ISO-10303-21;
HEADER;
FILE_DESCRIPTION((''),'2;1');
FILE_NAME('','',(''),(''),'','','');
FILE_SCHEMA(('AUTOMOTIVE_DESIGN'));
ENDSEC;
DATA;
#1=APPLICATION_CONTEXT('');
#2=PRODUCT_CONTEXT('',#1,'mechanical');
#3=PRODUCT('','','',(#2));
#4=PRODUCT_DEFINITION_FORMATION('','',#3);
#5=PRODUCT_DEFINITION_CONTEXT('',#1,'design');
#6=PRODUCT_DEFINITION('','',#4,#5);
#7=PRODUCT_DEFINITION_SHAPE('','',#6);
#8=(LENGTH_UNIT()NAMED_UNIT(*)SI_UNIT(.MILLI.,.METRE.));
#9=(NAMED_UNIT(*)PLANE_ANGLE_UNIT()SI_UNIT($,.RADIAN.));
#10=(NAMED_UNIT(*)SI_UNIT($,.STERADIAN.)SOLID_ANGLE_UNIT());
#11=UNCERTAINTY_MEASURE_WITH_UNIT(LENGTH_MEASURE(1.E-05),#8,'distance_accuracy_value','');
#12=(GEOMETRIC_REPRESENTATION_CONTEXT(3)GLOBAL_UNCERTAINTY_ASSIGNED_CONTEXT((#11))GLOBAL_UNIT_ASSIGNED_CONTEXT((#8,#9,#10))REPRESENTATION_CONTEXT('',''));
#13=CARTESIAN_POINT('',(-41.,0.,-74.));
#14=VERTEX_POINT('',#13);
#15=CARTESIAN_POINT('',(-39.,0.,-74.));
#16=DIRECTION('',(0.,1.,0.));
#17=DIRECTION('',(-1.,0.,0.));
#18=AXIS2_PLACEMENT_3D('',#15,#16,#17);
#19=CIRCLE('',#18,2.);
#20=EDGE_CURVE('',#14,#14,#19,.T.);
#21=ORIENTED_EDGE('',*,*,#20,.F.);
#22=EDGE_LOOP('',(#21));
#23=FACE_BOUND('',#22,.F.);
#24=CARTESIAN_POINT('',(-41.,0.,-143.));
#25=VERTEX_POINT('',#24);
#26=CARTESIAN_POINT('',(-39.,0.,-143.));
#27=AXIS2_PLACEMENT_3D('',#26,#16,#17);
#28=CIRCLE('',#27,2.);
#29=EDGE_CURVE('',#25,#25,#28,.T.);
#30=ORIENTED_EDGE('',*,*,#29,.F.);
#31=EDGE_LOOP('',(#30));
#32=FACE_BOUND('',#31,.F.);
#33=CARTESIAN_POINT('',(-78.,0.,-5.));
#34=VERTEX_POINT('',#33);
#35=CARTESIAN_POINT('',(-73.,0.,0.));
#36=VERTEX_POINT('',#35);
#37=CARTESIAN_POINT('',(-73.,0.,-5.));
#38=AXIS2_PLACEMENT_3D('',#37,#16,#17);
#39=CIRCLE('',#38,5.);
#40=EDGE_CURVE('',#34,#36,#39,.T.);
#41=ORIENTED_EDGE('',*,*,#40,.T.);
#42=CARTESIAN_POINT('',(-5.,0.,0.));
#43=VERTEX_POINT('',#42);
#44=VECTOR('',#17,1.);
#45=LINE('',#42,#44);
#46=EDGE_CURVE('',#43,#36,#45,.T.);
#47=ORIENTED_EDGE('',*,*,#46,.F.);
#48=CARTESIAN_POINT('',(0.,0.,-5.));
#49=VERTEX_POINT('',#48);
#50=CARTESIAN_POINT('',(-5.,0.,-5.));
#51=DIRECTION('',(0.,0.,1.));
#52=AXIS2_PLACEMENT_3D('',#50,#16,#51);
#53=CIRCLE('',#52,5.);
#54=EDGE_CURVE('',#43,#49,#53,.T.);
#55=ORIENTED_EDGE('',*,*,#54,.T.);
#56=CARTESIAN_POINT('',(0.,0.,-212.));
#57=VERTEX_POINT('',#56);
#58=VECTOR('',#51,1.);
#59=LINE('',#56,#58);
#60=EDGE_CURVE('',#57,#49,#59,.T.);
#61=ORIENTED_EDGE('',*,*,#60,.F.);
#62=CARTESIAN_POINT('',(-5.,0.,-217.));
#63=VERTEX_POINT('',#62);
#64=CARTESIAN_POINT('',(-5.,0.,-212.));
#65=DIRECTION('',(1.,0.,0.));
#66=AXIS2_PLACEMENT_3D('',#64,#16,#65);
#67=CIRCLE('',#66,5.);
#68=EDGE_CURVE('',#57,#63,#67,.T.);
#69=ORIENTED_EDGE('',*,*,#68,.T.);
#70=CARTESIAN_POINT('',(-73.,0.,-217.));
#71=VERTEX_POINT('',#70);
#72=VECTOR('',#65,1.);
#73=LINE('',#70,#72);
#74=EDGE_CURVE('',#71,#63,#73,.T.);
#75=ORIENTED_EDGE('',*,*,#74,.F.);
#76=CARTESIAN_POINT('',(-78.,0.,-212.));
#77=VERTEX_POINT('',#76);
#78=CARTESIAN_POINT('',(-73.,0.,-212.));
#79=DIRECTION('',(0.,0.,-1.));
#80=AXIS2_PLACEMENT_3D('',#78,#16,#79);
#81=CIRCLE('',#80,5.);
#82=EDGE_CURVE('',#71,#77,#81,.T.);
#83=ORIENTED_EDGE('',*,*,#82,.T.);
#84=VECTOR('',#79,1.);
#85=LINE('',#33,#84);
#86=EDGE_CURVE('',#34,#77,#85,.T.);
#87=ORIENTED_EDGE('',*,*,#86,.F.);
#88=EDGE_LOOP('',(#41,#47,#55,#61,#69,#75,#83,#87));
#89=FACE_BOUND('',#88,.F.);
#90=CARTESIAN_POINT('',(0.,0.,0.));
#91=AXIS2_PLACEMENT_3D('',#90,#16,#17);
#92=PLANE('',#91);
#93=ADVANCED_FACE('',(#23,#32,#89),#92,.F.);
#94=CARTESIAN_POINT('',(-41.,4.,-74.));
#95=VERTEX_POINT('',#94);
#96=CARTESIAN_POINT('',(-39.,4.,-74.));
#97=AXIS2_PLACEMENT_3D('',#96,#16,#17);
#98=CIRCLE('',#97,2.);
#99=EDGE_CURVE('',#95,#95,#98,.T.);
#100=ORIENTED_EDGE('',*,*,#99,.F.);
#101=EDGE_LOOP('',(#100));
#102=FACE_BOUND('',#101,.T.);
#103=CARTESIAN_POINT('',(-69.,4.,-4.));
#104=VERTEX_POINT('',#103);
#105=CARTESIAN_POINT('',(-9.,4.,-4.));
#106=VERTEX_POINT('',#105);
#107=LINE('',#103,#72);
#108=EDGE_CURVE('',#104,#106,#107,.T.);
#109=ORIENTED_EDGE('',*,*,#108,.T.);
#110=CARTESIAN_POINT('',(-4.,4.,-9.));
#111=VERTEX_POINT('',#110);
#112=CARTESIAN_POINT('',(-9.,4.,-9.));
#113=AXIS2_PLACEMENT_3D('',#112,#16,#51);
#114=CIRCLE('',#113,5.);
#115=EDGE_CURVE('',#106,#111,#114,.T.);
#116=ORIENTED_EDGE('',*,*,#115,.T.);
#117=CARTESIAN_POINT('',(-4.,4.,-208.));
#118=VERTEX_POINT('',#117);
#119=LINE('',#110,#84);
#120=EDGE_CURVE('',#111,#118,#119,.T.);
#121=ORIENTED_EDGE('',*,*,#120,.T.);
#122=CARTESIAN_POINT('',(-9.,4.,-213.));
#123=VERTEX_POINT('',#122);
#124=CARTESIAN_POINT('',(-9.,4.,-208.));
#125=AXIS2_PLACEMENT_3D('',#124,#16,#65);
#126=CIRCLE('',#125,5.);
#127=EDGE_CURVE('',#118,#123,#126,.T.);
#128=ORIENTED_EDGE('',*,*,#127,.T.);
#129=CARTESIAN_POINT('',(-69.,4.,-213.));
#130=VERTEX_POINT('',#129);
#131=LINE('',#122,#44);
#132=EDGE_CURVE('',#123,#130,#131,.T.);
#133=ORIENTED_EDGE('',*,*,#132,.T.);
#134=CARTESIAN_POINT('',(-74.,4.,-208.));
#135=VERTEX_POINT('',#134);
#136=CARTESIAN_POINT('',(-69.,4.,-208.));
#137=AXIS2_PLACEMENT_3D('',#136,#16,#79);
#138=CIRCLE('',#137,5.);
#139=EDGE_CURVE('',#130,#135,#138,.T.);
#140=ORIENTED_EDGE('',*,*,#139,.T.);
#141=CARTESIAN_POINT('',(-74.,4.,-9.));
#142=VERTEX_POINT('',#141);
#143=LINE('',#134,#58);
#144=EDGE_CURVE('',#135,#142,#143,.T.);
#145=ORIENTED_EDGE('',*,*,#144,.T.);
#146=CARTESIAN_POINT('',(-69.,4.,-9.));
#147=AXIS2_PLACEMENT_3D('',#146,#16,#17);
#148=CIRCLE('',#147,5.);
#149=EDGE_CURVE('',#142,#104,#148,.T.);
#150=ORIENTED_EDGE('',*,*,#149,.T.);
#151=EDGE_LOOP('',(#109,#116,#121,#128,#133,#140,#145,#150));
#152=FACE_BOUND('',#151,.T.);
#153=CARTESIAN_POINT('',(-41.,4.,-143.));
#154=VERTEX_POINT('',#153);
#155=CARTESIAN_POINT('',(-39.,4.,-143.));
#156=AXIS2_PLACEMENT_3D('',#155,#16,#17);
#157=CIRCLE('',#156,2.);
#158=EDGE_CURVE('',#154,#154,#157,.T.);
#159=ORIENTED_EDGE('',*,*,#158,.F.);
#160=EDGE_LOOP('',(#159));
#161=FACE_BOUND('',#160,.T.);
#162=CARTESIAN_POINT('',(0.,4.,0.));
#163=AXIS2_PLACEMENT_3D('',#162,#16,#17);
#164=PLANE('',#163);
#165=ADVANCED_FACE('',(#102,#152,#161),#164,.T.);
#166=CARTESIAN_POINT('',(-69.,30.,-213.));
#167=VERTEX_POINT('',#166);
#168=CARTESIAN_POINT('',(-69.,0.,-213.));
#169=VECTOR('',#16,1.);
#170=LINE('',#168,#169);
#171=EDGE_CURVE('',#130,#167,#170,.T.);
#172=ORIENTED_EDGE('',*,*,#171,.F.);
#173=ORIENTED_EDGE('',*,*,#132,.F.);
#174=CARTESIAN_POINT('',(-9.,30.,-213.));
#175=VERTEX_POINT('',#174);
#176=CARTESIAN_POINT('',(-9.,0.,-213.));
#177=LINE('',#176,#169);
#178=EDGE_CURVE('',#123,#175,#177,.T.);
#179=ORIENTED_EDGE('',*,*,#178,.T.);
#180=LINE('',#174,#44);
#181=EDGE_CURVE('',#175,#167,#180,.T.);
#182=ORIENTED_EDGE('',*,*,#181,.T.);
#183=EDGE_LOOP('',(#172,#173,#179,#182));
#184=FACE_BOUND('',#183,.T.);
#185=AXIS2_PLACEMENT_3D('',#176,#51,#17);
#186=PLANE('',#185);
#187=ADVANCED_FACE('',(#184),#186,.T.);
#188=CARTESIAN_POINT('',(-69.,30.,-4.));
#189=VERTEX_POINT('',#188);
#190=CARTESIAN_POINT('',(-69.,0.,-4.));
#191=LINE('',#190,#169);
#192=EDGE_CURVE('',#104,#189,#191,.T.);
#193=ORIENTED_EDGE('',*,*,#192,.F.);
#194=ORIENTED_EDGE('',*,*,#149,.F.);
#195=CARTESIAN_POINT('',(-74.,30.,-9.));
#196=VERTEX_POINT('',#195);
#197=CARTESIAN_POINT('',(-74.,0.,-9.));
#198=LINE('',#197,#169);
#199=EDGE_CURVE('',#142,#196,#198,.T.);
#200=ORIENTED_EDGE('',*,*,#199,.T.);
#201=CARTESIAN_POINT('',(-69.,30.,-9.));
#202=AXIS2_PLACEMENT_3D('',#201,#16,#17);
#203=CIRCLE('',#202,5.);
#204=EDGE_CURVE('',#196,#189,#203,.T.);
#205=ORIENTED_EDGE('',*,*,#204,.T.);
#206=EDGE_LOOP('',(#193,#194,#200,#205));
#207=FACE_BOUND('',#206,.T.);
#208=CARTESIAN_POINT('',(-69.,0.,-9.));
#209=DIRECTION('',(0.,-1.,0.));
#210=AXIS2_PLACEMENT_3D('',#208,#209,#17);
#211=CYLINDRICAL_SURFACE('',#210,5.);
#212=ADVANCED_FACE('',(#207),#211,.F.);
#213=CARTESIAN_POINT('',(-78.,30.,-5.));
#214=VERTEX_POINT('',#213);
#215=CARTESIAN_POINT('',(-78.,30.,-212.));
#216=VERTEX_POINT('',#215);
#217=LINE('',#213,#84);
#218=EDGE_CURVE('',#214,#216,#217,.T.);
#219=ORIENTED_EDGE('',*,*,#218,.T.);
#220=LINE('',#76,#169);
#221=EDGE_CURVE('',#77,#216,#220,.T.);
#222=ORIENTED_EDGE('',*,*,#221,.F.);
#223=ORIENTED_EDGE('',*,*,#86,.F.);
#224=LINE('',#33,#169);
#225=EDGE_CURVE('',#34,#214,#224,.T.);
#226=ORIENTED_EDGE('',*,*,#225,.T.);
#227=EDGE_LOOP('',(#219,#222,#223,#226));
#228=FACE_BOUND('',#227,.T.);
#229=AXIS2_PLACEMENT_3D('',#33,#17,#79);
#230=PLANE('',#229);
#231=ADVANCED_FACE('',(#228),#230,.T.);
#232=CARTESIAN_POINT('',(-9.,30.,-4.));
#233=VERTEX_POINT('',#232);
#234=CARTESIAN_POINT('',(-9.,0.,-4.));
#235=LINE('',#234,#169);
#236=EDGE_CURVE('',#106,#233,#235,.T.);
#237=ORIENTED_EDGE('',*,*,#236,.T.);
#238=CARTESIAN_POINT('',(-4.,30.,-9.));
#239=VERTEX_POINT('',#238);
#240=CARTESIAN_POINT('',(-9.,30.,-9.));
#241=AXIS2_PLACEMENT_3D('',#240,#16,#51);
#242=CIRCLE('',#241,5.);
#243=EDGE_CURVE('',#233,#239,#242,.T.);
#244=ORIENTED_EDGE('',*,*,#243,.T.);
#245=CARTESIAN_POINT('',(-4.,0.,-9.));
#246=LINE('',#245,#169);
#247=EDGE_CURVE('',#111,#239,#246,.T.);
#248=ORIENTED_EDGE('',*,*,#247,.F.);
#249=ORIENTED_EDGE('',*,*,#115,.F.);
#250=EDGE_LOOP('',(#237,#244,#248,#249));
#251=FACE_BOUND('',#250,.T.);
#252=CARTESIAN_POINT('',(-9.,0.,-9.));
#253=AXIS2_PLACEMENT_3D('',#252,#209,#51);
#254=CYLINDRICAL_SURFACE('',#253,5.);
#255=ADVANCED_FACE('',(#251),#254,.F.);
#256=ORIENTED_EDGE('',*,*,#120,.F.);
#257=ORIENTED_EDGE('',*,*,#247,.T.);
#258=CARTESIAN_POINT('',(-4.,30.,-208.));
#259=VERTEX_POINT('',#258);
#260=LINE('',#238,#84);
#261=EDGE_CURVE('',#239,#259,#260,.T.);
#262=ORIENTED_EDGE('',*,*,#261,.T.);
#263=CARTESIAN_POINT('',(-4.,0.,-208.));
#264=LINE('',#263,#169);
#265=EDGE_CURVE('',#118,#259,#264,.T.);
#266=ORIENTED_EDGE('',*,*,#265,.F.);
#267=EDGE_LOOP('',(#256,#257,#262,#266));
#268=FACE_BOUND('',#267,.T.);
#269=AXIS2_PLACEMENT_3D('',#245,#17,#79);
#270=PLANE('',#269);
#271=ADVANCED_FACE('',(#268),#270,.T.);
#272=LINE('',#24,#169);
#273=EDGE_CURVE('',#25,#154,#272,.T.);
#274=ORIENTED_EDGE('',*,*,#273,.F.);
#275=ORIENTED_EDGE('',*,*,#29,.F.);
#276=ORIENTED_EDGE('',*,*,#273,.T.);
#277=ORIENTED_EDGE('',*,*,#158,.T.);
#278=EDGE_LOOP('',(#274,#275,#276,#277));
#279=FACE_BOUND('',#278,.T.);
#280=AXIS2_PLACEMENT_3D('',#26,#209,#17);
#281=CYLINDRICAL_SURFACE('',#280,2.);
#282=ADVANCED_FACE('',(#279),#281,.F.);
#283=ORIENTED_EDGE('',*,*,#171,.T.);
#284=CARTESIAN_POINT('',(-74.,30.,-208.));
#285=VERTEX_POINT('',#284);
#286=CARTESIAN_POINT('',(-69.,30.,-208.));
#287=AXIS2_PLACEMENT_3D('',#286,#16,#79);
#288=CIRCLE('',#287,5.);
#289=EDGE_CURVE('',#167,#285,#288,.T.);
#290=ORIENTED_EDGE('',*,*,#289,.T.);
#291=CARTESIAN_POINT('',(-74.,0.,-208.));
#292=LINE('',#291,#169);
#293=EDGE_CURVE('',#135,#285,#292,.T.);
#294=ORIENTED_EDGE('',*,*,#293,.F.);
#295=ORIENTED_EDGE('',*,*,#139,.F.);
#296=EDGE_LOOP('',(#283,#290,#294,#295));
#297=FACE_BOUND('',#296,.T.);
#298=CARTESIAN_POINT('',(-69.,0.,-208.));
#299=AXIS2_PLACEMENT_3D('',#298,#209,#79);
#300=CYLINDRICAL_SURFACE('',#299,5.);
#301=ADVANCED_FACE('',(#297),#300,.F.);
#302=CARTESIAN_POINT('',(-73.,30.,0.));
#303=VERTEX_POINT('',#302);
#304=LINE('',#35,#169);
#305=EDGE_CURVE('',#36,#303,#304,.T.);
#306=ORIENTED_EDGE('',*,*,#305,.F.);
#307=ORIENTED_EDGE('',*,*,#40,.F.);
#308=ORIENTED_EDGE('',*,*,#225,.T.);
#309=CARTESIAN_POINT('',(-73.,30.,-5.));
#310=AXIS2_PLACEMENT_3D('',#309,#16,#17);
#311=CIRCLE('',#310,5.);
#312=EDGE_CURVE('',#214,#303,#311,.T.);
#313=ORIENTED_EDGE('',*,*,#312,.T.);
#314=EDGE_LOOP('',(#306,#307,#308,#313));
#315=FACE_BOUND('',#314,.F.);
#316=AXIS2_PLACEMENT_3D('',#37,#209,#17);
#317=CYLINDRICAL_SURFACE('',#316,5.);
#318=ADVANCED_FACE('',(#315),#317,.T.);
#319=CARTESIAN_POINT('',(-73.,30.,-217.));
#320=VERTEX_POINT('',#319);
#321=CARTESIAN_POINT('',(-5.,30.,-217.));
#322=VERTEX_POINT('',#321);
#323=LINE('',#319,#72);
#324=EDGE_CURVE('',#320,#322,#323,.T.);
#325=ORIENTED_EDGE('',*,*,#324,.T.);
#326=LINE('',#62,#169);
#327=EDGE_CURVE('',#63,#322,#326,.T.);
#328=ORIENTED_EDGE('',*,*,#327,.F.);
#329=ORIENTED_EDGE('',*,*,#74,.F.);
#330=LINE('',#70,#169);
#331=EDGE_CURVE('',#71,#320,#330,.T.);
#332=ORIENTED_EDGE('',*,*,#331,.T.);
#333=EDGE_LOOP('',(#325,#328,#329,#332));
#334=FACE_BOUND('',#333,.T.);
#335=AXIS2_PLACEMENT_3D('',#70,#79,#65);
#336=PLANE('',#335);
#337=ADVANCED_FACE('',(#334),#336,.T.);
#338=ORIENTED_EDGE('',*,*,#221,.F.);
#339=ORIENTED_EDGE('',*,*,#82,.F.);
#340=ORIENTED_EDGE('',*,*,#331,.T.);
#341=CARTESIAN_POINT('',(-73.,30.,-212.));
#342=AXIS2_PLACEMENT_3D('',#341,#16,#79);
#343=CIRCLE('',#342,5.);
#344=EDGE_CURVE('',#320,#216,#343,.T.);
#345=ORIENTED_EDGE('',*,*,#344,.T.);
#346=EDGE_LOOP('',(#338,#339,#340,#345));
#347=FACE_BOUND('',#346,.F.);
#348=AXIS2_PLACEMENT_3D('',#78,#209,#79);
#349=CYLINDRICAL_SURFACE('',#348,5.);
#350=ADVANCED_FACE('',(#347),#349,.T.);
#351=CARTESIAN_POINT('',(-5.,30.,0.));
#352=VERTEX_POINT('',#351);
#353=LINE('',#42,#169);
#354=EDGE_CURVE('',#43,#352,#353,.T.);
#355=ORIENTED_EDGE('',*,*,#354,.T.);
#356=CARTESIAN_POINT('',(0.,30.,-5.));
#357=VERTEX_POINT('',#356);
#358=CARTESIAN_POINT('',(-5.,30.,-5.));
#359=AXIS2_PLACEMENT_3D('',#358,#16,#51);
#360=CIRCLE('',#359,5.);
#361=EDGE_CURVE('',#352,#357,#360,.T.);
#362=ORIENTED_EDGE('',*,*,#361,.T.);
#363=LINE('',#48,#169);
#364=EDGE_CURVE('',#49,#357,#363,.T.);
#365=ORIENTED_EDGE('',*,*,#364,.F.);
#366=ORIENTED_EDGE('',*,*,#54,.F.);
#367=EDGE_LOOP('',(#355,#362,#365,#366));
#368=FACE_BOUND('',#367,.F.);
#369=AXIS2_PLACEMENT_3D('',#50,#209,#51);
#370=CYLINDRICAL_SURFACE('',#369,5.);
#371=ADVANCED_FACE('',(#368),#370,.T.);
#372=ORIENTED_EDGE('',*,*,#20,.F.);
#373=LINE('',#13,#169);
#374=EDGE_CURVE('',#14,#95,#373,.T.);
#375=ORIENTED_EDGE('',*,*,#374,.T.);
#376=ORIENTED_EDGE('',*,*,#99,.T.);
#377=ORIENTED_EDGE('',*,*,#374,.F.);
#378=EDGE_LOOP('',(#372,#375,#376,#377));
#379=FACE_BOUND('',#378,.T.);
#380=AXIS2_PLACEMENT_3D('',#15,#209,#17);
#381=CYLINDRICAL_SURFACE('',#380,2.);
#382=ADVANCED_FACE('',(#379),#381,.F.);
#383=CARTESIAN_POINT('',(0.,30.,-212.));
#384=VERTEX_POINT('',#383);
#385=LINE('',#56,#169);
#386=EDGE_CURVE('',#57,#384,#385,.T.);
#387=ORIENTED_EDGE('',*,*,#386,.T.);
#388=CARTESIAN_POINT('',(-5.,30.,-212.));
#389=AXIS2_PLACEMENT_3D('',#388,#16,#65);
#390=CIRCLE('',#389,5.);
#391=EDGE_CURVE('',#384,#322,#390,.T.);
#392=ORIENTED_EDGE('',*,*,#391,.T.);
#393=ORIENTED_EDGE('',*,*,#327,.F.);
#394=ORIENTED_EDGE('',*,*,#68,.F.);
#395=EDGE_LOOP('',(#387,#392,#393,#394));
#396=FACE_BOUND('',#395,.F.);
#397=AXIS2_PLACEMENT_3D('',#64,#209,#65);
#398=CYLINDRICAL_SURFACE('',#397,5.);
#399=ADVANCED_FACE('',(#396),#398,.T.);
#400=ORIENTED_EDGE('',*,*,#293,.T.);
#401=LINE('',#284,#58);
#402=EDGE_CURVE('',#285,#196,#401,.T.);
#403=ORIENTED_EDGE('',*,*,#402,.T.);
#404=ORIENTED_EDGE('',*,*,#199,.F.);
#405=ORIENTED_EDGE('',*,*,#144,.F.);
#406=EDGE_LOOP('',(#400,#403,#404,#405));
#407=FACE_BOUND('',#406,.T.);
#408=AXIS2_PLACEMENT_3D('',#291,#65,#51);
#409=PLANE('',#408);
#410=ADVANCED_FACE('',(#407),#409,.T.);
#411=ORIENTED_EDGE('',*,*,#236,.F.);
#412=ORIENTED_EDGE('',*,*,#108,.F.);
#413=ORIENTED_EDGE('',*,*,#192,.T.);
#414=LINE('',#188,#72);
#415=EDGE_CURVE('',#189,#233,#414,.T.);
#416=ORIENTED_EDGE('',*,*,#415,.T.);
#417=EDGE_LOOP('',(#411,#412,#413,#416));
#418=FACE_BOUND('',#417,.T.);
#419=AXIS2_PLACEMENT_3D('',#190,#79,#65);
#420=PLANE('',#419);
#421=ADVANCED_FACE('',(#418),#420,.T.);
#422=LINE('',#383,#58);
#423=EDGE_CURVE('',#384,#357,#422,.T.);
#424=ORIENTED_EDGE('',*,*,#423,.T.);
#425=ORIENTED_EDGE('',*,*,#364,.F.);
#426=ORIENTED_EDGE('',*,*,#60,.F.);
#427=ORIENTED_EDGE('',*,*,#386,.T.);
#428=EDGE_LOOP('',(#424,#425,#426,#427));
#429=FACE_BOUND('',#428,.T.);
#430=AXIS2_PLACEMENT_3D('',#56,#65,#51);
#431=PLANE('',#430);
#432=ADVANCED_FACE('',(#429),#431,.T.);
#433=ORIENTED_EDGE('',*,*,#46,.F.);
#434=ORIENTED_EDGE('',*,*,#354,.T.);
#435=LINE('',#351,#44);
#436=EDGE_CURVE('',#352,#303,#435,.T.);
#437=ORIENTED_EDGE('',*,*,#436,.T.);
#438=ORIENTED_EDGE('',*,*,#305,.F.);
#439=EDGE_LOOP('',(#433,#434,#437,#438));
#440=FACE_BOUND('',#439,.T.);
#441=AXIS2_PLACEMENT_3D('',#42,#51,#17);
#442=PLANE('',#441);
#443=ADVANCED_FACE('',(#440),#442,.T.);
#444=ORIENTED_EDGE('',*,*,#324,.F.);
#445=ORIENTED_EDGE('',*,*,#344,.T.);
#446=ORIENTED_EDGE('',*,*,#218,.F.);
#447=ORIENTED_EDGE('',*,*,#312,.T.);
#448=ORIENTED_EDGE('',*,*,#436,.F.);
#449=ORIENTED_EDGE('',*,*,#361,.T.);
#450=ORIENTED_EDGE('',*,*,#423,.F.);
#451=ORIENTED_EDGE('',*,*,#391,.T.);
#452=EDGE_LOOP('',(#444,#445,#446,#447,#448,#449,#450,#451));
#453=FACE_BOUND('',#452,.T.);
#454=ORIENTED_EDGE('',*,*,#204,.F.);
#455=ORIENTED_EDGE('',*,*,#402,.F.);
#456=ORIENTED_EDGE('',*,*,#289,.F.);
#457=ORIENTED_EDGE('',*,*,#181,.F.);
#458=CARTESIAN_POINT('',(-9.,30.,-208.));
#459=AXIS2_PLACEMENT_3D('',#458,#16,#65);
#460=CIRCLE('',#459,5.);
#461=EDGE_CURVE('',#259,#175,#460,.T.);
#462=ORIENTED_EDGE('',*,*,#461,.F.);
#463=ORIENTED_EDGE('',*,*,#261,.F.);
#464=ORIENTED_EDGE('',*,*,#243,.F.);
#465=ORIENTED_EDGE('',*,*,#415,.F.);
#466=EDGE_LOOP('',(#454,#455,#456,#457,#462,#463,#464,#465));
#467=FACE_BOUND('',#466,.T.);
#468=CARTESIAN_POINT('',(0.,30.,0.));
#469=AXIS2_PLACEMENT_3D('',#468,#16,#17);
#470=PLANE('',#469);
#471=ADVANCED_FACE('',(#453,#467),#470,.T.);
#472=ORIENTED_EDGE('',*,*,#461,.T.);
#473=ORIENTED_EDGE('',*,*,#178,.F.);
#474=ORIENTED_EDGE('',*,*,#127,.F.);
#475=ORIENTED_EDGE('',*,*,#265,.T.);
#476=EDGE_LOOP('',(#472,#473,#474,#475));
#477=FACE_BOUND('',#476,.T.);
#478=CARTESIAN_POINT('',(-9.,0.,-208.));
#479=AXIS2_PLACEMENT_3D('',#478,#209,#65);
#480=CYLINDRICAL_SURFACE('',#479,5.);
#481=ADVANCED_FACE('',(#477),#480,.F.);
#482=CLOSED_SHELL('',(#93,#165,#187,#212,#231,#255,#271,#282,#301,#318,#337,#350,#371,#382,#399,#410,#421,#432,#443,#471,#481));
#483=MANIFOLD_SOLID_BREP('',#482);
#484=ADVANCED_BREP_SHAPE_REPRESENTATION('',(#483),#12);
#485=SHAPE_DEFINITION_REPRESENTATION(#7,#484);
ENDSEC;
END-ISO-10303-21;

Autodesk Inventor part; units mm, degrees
ref_plane "YZ Plane" through (0, 0, 0) normal (1, 0, 0) x (0, 1, 0)
ref_plane "XZ Plane" through (0, 0, 0) normal (0, 1, 0) x (-1, 0, 0)
ref_plane "XY Plane" through (0, 0, 0) normal (0, 0, 1) x (1, 0, 0)
sketch "Sketch1" plane through (0, 0, 0) normal (0, 1, 0) x (-1, 0, 0)
  line L0 (5, 0) -> (73, 0)
  line L1 (78, -5) -> (78, -212)
  line L2 (73, -217) -> (5, -217)
  line L3 (0, -212) -> (0, -5)
  line L4 (69, -4) -> (9, -4)
  line L5 (4, -9) -> (4, -208)
  line L6 (9, -213) -> (69, -213)
  line L7 (74, -208) -> (74, -9)
  line L8 (74, -4) -> (4, -213) construction
  line L9 (4, -4) -> (74, -213) construction
  arc A0 (78, -5) -> (73, 0) centre (73, -5) ccw
  arc A1 (5, 0) -> (0, -5) centre (5, -5) ccw
  arc A2 (73, -217) -> (78, -212) centre (73, -212) ccw
  arc A3 (0, -212) -> (5, -217) centre (5, -212) ccw
  arc A4 (74, -9) -> (69, -4) centre (69, -9) ccw
  arc A5 (9, -4) -> (4, -9) centre (9, -9) ccw
  arc A6 (69, -213) -> (74, -208) centre (69, -208) ccw
  arc A7 (4, -208) -> (9, -213) centre (9, -208) ccw
  circle A8 centre (39, -143) radius 2
  line L10 (39, -108.5) -> (37, -108.5)
  circle A9 centre (39, -74) radius 2
  point P0 (0, 0)
  point P1 (78, -217)
  point P2 (78, 0)
  point P3 (0, -217)
  dimension "d0" = 78
  dimension "d1" = 217
  dimension "d2" = 70
  dimension "d3" = 209
  dimension "d4" = 5
  dimension "d5" = 5
  dimension "d10" = 4
  dimension "d14" = 69
extrude "Extrusion1" add sketch "Sketch1" along normal blind 30 contours L0 A0 L1 A2 L2 A3 L3 A1
extrude "Extrusion2" add sketch "Sketch1" along normal blind 4 contours A4 L7 A6 L6 A7 L5 A5 L4 | A8 | A9
extrude "Extrusion3" cut sketch "Sketch1" along normal blind 4 contours A8 | A9
properties part number "Kepala"
